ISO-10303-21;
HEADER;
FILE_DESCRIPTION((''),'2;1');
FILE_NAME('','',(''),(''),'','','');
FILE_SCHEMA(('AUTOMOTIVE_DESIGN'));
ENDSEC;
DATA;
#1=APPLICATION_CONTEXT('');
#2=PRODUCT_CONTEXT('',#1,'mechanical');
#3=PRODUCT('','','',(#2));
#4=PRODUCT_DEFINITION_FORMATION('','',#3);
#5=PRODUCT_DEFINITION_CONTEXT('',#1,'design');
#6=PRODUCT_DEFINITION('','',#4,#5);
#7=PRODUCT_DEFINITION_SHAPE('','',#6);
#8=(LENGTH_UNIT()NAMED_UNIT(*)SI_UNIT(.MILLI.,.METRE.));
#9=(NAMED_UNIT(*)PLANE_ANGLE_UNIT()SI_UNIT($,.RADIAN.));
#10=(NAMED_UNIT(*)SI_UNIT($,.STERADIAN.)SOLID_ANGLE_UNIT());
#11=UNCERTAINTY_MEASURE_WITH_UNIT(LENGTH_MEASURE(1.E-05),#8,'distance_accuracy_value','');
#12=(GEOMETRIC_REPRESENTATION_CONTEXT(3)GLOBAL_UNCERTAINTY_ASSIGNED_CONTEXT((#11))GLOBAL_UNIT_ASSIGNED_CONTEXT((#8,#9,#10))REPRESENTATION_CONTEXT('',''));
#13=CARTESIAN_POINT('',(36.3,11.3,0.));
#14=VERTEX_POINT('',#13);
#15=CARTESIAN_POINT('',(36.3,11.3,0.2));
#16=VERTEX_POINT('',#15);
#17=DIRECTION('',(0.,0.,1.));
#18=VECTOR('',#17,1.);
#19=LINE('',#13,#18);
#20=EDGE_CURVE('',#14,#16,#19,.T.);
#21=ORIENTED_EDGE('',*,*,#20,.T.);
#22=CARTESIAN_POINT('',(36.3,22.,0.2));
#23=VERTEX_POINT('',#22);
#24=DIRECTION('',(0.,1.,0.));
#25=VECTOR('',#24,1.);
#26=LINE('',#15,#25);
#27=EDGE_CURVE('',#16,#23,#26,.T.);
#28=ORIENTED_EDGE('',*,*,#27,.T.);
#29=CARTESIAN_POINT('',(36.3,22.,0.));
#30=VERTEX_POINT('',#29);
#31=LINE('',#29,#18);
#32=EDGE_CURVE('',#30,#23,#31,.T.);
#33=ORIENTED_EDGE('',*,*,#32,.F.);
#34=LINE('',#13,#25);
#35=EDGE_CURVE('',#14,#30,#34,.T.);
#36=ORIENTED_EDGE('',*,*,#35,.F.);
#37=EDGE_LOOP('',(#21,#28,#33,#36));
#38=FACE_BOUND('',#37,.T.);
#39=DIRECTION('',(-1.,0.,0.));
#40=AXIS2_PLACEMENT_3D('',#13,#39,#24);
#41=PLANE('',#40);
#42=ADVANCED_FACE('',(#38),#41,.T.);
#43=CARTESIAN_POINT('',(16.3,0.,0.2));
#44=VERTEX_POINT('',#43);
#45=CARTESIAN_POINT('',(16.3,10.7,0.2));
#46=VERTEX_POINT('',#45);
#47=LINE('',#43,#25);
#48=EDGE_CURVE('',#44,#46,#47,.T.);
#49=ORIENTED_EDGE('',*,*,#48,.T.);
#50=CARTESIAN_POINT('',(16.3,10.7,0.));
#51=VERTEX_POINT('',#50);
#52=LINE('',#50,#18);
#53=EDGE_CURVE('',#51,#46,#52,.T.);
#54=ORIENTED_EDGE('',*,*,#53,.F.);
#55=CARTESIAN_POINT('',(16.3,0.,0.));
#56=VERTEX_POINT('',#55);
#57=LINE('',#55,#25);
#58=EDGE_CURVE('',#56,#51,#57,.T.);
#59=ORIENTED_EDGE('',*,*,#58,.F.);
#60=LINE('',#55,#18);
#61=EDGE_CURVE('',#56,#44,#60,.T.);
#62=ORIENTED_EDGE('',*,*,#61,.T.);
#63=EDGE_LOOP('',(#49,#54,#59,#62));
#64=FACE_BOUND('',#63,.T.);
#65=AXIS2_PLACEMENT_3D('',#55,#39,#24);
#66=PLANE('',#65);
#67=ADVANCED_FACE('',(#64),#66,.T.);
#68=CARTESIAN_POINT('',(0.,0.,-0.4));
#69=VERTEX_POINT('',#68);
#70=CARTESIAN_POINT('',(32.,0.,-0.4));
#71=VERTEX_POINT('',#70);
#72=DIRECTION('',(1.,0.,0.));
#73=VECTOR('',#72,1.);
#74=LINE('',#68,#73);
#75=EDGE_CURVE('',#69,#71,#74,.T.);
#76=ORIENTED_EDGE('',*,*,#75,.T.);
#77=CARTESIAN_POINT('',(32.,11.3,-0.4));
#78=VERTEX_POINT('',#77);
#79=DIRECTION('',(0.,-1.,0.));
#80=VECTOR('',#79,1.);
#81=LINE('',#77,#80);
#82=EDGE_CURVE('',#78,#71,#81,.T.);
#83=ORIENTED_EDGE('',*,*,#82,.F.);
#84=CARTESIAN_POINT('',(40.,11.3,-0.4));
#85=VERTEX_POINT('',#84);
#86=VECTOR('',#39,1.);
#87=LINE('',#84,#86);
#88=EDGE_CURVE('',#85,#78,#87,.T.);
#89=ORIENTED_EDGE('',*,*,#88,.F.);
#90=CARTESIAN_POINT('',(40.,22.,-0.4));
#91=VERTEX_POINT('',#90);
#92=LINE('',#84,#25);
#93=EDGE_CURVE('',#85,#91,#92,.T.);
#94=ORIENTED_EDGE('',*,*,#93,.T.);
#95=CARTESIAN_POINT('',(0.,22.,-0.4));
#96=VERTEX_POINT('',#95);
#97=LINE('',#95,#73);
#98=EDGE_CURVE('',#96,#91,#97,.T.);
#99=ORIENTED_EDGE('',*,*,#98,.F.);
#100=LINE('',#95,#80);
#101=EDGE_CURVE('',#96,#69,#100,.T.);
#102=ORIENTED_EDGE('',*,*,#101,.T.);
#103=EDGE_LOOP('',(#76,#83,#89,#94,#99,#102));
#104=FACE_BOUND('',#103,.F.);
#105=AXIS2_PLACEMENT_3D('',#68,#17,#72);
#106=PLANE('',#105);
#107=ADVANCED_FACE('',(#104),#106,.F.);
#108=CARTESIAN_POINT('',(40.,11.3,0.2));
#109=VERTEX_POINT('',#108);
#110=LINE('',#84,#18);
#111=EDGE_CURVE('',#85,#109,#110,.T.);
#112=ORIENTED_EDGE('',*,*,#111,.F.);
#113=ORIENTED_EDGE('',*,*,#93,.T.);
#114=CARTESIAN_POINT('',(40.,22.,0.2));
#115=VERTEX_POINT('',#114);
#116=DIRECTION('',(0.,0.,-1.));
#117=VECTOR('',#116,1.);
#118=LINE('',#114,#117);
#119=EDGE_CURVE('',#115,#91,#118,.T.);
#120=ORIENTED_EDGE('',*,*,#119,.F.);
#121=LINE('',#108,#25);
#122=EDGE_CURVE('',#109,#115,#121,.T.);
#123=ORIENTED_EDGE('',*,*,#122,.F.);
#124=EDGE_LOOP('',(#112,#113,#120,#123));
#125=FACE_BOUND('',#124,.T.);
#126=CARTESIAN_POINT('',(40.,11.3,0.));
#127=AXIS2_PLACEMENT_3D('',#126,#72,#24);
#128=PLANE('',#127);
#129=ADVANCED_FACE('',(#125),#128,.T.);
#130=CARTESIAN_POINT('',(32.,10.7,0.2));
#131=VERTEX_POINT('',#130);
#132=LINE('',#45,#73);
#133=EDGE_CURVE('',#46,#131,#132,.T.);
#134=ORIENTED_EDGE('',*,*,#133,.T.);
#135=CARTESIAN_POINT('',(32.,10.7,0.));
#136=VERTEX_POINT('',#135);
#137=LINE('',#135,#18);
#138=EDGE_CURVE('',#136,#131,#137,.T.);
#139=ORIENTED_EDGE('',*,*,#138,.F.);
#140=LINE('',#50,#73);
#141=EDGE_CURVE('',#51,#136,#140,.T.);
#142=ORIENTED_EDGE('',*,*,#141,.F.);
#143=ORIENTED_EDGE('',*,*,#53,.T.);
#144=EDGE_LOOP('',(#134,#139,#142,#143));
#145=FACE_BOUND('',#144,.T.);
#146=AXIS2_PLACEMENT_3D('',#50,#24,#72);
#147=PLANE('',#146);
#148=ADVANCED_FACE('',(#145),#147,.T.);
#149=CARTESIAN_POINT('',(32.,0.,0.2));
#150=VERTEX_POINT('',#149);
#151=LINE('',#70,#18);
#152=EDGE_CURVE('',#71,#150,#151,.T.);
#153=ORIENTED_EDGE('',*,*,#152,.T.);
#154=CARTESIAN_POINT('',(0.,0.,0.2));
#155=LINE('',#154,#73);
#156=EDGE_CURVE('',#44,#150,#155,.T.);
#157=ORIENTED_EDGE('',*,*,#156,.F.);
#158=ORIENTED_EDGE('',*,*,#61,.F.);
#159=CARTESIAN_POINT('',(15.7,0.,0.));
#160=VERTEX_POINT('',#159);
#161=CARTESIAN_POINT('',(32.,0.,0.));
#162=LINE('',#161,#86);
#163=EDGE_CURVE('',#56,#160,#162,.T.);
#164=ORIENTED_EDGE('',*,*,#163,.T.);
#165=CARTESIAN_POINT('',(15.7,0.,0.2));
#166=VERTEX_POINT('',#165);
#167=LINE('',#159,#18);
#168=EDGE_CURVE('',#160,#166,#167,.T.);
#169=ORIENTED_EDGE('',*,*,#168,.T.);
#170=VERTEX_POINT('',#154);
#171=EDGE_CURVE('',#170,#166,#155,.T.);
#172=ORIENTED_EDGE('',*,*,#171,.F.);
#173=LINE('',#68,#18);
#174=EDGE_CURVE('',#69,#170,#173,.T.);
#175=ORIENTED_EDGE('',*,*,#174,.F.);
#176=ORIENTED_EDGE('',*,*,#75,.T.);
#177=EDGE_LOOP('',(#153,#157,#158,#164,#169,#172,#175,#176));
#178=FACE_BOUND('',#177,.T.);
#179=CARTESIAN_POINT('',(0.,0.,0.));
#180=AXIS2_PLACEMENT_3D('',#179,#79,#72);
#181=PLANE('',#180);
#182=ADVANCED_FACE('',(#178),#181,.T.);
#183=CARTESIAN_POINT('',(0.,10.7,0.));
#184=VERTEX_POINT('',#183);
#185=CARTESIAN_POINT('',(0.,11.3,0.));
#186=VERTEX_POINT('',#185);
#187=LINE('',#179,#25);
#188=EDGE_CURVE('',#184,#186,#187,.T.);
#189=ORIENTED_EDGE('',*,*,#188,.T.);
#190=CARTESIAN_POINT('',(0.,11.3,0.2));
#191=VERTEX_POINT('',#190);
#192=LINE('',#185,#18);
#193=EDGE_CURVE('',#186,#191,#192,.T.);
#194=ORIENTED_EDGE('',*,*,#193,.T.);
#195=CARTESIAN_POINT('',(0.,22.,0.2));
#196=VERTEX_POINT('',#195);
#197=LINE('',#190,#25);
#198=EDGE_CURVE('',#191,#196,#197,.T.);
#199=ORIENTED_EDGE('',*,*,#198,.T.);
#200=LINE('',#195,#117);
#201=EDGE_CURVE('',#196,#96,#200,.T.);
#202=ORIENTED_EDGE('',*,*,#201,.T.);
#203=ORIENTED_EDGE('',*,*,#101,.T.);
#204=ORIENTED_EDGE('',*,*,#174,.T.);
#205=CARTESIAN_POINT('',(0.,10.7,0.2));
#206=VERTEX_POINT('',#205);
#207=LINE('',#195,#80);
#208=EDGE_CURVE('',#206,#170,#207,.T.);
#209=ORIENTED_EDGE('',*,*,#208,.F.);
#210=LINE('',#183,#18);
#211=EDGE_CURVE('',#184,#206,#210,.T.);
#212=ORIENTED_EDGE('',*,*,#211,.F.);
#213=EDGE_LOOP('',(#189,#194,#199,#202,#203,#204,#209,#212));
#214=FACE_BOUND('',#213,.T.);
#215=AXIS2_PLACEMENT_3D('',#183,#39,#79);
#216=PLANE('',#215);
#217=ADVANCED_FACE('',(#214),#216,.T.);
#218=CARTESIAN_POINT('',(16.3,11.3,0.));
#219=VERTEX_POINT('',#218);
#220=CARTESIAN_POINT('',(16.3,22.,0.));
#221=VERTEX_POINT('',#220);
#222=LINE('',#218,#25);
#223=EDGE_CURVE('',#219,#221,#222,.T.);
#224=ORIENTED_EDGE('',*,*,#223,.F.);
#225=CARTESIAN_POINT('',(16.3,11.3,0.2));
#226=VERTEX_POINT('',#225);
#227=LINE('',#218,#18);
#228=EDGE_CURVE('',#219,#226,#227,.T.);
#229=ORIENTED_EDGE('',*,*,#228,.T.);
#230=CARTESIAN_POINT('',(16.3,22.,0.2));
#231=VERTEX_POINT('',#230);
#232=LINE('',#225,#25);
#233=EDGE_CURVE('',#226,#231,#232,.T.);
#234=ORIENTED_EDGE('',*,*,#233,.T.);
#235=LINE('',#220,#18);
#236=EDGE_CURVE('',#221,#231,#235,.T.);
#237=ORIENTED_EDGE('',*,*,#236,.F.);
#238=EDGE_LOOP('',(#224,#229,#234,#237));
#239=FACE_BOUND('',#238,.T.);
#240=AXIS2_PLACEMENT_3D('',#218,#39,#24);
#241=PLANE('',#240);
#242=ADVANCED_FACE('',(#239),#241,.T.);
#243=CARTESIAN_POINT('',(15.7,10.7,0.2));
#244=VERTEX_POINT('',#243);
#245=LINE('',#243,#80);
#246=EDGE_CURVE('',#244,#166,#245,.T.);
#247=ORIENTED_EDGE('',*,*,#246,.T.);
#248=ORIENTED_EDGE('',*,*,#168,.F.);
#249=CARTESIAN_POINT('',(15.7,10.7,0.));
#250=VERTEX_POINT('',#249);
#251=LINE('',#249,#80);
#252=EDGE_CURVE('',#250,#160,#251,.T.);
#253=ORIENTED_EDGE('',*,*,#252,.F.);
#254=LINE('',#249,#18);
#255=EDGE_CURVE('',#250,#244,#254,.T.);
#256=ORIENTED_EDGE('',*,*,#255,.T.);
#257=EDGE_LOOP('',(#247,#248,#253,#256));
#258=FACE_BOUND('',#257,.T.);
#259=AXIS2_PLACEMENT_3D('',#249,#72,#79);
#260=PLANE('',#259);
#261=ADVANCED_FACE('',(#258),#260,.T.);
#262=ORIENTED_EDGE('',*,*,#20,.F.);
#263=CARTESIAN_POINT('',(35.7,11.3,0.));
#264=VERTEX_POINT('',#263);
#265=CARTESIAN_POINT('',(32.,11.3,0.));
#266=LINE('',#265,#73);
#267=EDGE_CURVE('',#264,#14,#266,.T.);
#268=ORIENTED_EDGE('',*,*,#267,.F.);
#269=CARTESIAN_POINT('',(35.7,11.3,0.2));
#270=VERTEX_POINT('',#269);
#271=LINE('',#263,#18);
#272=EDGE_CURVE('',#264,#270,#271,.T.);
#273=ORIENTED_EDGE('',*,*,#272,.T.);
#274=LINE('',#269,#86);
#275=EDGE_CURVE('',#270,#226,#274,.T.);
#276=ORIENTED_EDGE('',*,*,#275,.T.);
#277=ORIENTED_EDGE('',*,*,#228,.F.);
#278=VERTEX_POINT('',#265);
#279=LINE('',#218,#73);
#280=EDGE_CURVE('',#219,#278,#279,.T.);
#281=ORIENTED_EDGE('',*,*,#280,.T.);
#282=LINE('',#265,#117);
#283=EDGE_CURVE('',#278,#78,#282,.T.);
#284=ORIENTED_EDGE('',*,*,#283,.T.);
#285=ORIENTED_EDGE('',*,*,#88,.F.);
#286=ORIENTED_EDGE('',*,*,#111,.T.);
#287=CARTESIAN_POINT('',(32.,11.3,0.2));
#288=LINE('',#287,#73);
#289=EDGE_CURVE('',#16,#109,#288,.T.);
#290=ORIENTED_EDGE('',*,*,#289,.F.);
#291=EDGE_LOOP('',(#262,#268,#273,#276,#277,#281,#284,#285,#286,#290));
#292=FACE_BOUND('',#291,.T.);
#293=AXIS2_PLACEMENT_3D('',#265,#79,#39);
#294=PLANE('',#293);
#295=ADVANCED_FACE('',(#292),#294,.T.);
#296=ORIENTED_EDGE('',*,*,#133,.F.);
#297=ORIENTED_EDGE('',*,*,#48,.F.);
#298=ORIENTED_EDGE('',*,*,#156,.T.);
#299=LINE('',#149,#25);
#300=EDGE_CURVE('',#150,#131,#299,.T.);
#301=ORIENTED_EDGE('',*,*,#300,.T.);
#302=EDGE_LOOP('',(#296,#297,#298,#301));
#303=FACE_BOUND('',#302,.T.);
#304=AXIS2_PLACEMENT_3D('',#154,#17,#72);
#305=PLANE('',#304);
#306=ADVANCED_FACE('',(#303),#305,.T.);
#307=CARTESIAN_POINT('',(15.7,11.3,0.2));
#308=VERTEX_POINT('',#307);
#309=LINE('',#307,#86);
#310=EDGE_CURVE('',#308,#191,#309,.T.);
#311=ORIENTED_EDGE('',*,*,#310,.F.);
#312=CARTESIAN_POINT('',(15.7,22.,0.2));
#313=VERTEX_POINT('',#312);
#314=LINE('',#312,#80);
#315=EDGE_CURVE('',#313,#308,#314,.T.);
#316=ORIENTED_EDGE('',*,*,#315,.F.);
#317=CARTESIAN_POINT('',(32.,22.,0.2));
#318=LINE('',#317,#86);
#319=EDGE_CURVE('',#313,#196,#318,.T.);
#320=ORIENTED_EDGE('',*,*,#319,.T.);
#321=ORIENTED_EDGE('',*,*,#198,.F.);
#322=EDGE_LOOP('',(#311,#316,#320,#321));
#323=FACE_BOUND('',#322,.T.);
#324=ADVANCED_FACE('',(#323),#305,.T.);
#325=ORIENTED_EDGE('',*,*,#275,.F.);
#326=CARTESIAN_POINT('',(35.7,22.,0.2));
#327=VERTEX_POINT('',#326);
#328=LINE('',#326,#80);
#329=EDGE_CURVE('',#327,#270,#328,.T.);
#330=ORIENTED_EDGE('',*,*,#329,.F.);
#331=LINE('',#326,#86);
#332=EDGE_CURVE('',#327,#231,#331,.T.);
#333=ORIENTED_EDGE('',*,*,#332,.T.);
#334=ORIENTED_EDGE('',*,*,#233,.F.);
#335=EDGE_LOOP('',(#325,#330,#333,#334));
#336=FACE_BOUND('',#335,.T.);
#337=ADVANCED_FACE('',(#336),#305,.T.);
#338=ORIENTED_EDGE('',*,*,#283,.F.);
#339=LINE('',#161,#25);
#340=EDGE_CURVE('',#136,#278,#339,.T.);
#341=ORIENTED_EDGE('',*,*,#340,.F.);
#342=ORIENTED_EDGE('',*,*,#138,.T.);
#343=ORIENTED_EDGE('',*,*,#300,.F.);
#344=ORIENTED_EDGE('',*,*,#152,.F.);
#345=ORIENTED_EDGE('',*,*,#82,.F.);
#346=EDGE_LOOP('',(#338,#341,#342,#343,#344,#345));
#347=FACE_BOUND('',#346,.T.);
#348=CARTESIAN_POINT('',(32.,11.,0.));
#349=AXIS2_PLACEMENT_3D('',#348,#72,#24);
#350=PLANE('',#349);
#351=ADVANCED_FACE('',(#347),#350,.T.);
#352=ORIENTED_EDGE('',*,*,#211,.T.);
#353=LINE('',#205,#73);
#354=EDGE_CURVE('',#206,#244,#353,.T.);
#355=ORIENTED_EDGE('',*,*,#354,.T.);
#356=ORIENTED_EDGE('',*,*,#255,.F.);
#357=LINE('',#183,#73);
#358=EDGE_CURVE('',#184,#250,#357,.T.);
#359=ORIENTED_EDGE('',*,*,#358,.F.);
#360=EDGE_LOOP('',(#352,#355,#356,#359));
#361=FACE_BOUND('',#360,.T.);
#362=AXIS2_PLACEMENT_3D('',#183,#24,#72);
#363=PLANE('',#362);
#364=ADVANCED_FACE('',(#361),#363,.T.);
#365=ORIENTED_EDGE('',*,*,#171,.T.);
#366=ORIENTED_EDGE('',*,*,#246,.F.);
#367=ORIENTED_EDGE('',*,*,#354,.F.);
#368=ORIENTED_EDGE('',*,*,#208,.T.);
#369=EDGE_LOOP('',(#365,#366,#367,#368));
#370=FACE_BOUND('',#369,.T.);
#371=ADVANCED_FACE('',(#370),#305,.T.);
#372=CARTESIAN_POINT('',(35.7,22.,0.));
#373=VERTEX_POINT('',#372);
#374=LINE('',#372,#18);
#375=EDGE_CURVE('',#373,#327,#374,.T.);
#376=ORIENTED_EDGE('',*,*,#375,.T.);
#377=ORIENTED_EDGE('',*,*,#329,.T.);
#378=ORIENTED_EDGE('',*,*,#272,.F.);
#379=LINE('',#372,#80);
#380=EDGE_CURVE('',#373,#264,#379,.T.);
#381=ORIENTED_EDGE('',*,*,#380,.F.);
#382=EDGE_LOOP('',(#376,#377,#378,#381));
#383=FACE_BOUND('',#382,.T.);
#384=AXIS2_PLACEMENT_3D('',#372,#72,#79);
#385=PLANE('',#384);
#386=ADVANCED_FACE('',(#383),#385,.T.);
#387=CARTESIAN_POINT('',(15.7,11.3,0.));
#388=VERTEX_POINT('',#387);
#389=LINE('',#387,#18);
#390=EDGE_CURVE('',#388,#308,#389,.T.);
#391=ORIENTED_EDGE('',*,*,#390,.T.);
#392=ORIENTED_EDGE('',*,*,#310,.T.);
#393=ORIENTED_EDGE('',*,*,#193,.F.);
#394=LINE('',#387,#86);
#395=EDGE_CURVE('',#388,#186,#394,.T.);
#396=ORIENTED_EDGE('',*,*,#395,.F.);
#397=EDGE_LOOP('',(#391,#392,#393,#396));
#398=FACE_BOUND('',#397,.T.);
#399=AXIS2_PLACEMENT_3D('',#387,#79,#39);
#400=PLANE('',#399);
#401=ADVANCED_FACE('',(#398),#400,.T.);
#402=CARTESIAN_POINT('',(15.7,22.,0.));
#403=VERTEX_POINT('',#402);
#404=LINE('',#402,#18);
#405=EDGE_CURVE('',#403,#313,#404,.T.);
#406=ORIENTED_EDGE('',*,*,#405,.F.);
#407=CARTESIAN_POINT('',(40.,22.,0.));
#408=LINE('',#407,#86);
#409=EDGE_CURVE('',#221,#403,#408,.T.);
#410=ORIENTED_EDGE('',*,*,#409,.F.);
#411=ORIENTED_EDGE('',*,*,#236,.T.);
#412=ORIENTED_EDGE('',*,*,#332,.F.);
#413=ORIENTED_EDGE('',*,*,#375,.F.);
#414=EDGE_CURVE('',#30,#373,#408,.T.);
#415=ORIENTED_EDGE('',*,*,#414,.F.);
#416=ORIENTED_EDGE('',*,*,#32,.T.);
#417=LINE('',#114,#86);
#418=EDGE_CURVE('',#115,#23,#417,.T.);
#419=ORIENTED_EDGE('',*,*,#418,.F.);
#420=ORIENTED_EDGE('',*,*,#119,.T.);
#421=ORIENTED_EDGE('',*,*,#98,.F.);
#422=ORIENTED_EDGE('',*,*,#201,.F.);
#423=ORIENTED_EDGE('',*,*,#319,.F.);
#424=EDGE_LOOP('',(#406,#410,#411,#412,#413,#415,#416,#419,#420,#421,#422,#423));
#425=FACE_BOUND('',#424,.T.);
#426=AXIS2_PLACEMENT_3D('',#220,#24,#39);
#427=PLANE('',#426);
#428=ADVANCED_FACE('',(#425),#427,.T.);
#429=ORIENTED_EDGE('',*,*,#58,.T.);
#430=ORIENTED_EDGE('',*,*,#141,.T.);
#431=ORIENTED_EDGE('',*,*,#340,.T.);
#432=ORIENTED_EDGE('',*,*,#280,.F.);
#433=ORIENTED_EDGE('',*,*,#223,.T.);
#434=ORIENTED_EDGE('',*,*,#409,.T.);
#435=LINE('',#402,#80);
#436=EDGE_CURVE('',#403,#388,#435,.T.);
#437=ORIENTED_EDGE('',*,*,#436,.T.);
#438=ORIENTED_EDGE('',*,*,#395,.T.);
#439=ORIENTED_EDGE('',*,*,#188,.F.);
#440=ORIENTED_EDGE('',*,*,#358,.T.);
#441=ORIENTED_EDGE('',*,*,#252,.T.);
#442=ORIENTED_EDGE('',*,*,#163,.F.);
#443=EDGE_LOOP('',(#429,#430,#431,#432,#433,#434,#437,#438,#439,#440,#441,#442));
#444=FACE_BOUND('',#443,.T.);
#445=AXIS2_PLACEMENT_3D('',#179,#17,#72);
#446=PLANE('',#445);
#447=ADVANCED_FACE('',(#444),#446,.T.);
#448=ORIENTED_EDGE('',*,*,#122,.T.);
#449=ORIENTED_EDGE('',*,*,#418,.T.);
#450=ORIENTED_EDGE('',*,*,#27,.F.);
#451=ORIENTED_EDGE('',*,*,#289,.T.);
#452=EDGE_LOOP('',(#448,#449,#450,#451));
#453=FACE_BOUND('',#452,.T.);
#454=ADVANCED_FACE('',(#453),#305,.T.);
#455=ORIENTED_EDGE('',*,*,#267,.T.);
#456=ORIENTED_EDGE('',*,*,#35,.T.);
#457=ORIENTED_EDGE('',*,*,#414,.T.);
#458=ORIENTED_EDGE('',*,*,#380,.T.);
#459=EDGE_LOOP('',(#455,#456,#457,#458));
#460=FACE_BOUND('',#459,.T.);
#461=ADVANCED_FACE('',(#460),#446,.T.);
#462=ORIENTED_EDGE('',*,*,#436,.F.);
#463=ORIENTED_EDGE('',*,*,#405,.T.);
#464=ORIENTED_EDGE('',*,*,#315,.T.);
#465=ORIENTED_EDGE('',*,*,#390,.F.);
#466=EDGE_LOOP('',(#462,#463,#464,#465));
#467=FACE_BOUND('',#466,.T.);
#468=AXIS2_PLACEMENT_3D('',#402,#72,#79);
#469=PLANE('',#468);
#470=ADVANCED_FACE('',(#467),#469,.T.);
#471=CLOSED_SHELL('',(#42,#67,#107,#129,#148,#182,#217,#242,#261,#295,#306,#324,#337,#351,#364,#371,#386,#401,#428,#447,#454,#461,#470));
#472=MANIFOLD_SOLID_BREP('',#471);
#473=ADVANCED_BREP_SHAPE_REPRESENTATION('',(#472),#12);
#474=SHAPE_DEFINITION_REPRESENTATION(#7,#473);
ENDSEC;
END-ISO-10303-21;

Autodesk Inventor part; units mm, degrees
ref_plane "YZ Plane" through (0, 0, 0) normal (1, 0, 0) x (0, 1, 0)
ref_plane "XZ Plane" through (0, 0, 0) normal (0, 1, 0) x (-1, 0, 0)
ref_plane "XY Plane" through (0, 0, 0) normal (0, 0, 1) x (1, 0, 0)
sketch "Sketch1" plane through (0, 0, 0) normal (0, 0, 1) x (1, 0, 0)
  line L0 (0, 0) -> (32, 0)
  line L1 (32, 0) -> (32, 22)
  line L2 (32, 22) -> (0, 22)
  line L3 (0, 22) -> (0, 0)
  line L4 (0, 11) -> (0, 10.7)
  line L5 (0, 10.7) -> (0, 11.3)
  line L6 (32, 16.3) -> (32, 15.7)
  line L7 (0, 15.7) -> (0, 11.3)
  line L8 (16.3, 22) -> (15.7, 22)
  line L9 (15.7, 22) -> (16.3, 22)
  line L10 (16.3, 0) -> (15.7, 0)
  line L11 (32, 11) -> (32, 11.3)
  line L12 (0, 11.3) -> (0, 10.7)
  line L13 (32, 10.7) -> (32, 11.3)
  line L14 (16.3, 22) -> (15.7, 22)
  line L15 (15.7, 0) -> (16.3, 0)
  line L16 (0, 10.7) -> (15.7, 10.7)
  line L17 (16.3, 10.7) -> (32, 10.7)
  line L18 (16.3, 0) -> (16.3, 10.7)
  line L19 (16.3, 11.3) -> (16.3, 22)
  line L20 (32, 11.3) -> (16.3, 11.3)
  line L21 (15.7, 11.3) -> (0, 11.3)
  line L22 (15.7, 22) -> (15.7, 11.3)
  line L23 (15.7, 10.7) -> (15.7, 0)
  line L24 (32, 11.3) -> (40, 11.3)
  line L25 (40, 11.3) -> (40, 22)
  line L26 (40, 22) -> (32, 22)
  line L27 (32, 22) -> (32, 11.3)
  line L28 (36, 22) -> (36.3, 22)
  line L29 (36.3, 22) -> (35.7, 22)
  line L30 (35.7, 22) -> (35.7, 11.3)
  line L31 (35.7, 11.3) -> (36.3, 11.3)
  line L32 (36.3, 11.3) -> (36.3, 22)
  point P0 (36.3, 16.3)
  dimension "d1" = 22
  dimension "d6" = 0.6
  dimension "d14" = 0.3
  dimension "d15" = 0.6
  dimension "d16" = 0.6
  dimension "d17" = 8
  dimension "d18" = 0.3
  dimension "d19" = 0.6
extrude "Extrusion1" add sketch "Sketch1" against normal blind 0.4
extrude "Extrusion2" add sketch "Sketch1" along normal blind 0.2 contours L3 L16 L23 L0 | L18 L17 L1 L0 | L3 L2 L22 L21 | L20 L19 L2 L1 | L1 L26 L30 L24 | L32 L26 L25 L24
properties part number "Wire Position"
